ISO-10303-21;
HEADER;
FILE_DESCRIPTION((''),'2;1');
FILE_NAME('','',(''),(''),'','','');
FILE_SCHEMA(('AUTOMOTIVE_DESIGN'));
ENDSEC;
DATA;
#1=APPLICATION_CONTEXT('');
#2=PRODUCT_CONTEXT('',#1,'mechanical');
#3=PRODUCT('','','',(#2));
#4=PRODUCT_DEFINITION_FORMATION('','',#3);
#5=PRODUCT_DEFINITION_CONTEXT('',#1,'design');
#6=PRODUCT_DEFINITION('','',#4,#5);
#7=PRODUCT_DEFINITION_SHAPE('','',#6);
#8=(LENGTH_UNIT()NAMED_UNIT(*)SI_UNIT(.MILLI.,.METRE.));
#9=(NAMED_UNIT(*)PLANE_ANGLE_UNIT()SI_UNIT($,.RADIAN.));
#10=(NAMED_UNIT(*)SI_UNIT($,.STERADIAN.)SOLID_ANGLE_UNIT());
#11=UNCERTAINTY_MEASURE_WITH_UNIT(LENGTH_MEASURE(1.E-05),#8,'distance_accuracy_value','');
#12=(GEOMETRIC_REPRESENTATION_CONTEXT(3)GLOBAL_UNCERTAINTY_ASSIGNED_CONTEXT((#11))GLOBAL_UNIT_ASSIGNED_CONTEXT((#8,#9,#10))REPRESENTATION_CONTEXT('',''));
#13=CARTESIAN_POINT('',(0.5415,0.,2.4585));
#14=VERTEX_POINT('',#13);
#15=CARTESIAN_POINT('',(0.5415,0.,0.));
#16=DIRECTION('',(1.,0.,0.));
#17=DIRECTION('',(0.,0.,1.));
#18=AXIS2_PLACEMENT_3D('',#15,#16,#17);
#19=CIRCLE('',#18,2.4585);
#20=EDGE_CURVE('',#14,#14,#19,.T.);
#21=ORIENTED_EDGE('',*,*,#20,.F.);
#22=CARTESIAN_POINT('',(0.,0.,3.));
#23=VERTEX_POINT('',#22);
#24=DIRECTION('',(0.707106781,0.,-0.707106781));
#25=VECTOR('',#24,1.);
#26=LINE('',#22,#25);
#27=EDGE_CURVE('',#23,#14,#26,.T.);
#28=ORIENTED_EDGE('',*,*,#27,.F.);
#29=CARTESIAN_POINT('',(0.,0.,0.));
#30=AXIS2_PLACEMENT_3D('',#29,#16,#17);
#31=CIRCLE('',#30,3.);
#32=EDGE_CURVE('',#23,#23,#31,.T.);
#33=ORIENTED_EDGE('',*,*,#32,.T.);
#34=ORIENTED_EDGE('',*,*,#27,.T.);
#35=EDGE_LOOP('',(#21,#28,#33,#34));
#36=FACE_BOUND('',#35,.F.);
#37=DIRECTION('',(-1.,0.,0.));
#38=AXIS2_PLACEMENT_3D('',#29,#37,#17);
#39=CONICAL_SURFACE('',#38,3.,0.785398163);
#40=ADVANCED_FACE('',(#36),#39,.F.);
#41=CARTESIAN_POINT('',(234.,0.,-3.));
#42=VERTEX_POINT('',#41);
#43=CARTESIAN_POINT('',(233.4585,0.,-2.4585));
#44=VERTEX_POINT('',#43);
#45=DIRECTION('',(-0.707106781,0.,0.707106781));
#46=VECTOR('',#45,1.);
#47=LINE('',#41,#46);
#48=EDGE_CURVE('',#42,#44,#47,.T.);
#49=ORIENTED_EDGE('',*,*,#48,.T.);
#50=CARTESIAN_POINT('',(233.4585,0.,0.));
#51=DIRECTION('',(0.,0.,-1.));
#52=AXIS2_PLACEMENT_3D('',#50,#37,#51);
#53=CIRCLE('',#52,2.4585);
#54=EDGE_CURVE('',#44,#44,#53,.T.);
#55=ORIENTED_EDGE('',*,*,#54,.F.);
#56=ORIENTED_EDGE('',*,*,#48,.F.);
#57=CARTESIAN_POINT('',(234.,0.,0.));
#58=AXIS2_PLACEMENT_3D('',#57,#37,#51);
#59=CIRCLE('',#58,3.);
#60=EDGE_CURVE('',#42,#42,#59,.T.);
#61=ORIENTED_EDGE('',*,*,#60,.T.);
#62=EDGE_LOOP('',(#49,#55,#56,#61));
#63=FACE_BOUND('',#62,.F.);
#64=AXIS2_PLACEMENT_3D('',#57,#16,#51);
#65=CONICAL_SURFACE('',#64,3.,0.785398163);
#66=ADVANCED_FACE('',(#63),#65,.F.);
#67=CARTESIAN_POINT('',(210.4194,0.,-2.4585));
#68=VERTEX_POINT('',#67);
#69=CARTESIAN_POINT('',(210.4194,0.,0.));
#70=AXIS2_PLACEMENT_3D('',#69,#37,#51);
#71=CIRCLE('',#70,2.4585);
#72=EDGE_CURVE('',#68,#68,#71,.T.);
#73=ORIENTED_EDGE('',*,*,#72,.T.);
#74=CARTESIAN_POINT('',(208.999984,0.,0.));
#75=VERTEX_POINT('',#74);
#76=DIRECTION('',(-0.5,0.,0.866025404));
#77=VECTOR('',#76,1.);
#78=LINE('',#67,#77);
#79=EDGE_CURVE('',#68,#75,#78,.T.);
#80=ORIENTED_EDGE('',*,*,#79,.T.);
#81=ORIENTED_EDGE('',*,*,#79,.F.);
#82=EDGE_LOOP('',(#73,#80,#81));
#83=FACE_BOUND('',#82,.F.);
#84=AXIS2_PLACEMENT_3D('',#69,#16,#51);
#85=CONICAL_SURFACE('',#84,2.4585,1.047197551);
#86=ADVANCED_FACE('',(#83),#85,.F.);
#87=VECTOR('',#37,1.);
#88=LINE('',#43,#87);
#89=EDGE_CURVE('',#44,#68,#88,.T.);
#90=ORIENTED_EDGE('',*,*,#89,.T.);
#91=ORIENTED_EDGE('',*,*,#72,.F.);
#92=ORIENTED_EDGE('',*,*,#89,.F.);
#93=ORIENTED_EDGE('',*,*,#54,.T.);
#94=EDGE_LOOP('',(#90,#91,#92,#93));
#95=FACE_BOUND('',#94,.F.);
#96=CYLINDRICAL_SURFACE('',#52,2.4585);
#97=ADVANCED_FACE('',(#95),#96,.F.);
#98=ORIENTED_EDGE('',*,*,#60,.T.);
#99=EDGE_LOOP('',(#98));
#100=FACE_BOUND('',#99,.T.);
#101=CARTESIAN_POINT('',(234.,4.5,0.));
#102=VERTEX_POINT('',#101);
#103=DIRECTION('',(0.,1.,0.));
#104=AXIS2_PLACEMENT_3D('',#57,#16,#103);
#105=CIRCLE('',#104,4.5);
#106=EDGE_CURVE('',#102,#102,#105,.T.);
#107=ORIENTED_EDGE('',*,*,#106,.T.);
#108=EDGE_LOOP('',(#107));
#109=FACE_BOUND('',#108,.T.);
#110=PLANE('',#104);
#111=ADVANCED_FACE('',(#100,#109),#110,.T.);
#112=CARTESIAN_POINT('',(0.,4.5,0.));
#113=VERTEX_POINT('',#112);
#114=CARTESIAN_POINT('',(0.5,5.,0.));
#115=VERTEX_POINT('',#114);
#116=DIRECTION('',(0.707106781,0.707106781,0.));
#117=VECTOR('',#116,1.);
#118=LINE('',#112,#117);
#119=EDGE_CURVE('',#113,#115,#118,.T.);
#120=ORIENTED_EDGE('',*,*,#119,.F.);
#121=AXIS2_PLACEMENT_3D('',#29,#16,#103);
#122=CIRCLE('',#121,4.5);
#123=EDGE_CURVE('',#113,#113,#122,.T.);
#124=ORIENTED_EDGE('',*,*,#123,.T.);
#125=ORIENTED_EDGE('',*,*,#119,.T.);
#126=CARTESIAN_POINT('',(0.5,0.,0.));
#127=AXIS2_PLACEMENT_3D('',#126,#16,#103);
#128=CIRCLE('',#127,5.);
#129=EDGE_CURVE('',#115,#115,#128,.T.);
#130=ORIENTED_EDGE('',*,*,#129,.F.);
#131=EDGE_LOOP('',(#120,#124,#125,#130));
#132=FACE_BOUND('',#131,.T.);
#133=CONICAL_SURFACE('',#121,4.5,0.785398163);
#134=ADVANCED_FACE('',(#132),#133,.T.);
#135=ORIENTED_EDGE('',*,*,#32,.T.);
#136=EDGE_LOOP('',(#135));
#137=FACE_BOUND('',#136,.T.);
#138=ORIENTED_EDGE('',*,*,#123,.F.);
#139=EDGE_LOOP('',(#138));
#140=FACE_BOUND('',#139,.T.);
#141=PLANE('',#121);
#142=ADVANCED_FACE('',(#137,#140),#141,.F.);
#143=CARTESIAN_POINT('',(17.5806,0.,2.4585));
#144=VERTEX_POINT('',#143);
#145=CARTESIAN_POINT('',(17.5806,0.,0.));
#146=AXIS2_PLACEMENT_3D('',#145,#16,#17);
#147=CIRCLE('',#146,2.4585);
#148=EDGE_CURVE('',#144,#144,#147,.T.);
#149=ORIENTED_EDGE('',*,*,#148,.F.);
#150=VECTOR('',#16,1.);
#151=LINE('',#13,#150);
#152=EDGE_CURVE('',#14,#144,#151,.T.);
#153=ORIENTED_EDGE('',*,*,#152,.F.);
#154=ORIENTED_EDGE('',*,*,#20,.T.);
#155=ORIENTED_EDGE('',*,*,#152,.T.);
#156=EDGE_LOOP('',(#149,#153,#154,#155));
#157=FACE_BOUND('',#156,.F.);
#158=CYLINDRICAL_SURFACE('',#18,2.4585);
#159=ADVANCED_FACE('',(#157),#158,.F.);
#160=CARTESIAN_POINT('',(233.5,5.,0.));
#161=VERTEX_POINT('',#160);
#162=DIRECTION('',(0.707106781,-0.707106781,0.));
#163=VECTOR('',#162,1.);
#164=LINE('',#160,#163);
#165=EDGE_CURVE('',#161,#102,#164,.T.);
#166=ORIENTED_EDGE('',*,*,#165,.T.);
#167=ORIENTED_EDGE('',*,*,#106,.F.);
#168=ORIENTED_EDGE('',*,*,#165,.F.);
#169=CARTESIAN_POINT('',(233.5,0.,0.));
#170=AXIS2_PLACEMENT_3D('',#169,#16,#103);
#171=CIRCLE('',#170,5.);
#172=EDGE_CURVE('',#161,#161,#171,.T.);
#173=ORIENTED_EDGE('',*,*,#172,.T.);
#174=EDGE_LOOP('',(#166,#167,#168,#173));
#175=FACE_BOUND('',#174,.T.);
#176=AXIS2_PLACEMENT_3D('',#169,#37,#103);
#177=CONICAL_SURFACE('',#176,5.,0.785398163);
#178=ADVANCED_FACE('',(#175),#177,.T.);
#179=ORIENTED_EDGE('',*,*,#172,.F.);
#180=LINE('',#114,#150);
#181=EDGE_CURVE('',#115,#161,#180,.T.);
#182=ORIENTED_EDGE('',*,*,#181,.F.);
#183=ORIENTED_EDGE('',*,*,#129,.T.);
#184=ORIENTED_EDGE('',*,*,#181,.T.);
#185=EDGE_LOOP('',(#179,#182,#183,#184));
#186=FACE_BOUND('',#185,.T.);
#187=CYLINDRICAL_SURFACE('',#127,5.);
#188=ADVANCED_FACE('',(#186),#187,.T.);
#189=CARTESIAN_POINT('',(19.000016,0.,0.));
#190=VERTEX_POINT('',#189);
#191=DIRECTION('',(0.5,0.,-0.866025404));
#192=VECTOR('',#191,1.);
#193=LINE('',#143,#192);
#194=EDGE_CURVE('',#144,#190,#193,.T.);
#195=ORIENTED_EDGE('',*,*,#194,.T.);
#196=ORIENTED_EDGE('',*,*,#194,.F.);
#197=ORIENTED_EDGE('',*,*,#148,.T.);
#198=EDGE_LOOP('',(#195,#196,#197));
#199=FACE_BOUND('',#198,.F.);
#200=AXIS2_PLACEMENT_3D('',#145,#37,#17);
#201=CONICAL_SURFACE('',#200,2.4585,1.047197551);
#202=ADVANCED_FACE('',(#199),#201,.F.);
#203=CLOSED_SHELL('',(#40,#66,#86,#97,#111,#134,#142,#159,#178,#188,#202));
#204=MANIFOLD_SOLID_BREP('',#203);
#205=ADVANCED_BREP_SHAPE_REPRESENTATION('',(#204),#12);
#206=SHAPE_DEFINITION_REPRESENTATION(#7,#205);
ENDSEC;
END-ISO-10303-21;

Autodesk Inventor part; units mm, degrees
ref_plane "YZ Plane" through (0, 0, 0) normal (1, 0, 0) x (0, 1, 0)
ref_plane "XZ Plane" through (0, 0, 0) normal (0, 1, 0) x (-1, 0, 0)
ref_plane "XY Plane" through (0, 0, 0) normal (0, 0, 1) x (1, 0, 0)
sketch "Sketch_1" plane through (0, 0, 0) normal (0, 0, 1) x (1, 0, 0)
  line L0 (234, 0) -> (0, 0)
  line L1 (0, 0) -> (0, 4.5)
  line L2 (0, 4.5) -> (0.5, 5)
  line L3 (0.5, 5) -> (233.5, 5)
  line L4 (233.5, 5) -> (234, 4.5)
  line L5 (234, 4.5) -> (234, 0)
  line L6 (234, 0) -> (0, 0)
revolve "Revolution1" add sketch "Sketch_1" angle 360 about axis through (234, 0, 0) along (1, 0, 0)
sketch "Sketch2" plane through (0, 0, 0) normal (-1, 0, 0) x (0, 0, 1)
  point P0 (0, 0)
hole "Hole1" at (0, 0, 0) direction (1, 0, 0) diameter 4.917 depth 17.5806 tip angle 120 countersink diameter 6 countersink angle 90 thread size "M6x1" class "6H" standard "ISO Metric profile"
sketch "Sketch3" plane through (234, 0, 0) normal (1, 0, 0) x (0, 0, -1)
  point P0 (0, 0)
hole "Hole2" at (234, 0, 0) direction (-1, 0, 0) diameter 4.917 depth 23.5806 tip angle 120 countersink diameter 6 countersink angle 90 thread size "M6x1" class "6H" standard "ISO Metric profile"
properties part number "SSFMRW10-234-M6-ND6_s"
